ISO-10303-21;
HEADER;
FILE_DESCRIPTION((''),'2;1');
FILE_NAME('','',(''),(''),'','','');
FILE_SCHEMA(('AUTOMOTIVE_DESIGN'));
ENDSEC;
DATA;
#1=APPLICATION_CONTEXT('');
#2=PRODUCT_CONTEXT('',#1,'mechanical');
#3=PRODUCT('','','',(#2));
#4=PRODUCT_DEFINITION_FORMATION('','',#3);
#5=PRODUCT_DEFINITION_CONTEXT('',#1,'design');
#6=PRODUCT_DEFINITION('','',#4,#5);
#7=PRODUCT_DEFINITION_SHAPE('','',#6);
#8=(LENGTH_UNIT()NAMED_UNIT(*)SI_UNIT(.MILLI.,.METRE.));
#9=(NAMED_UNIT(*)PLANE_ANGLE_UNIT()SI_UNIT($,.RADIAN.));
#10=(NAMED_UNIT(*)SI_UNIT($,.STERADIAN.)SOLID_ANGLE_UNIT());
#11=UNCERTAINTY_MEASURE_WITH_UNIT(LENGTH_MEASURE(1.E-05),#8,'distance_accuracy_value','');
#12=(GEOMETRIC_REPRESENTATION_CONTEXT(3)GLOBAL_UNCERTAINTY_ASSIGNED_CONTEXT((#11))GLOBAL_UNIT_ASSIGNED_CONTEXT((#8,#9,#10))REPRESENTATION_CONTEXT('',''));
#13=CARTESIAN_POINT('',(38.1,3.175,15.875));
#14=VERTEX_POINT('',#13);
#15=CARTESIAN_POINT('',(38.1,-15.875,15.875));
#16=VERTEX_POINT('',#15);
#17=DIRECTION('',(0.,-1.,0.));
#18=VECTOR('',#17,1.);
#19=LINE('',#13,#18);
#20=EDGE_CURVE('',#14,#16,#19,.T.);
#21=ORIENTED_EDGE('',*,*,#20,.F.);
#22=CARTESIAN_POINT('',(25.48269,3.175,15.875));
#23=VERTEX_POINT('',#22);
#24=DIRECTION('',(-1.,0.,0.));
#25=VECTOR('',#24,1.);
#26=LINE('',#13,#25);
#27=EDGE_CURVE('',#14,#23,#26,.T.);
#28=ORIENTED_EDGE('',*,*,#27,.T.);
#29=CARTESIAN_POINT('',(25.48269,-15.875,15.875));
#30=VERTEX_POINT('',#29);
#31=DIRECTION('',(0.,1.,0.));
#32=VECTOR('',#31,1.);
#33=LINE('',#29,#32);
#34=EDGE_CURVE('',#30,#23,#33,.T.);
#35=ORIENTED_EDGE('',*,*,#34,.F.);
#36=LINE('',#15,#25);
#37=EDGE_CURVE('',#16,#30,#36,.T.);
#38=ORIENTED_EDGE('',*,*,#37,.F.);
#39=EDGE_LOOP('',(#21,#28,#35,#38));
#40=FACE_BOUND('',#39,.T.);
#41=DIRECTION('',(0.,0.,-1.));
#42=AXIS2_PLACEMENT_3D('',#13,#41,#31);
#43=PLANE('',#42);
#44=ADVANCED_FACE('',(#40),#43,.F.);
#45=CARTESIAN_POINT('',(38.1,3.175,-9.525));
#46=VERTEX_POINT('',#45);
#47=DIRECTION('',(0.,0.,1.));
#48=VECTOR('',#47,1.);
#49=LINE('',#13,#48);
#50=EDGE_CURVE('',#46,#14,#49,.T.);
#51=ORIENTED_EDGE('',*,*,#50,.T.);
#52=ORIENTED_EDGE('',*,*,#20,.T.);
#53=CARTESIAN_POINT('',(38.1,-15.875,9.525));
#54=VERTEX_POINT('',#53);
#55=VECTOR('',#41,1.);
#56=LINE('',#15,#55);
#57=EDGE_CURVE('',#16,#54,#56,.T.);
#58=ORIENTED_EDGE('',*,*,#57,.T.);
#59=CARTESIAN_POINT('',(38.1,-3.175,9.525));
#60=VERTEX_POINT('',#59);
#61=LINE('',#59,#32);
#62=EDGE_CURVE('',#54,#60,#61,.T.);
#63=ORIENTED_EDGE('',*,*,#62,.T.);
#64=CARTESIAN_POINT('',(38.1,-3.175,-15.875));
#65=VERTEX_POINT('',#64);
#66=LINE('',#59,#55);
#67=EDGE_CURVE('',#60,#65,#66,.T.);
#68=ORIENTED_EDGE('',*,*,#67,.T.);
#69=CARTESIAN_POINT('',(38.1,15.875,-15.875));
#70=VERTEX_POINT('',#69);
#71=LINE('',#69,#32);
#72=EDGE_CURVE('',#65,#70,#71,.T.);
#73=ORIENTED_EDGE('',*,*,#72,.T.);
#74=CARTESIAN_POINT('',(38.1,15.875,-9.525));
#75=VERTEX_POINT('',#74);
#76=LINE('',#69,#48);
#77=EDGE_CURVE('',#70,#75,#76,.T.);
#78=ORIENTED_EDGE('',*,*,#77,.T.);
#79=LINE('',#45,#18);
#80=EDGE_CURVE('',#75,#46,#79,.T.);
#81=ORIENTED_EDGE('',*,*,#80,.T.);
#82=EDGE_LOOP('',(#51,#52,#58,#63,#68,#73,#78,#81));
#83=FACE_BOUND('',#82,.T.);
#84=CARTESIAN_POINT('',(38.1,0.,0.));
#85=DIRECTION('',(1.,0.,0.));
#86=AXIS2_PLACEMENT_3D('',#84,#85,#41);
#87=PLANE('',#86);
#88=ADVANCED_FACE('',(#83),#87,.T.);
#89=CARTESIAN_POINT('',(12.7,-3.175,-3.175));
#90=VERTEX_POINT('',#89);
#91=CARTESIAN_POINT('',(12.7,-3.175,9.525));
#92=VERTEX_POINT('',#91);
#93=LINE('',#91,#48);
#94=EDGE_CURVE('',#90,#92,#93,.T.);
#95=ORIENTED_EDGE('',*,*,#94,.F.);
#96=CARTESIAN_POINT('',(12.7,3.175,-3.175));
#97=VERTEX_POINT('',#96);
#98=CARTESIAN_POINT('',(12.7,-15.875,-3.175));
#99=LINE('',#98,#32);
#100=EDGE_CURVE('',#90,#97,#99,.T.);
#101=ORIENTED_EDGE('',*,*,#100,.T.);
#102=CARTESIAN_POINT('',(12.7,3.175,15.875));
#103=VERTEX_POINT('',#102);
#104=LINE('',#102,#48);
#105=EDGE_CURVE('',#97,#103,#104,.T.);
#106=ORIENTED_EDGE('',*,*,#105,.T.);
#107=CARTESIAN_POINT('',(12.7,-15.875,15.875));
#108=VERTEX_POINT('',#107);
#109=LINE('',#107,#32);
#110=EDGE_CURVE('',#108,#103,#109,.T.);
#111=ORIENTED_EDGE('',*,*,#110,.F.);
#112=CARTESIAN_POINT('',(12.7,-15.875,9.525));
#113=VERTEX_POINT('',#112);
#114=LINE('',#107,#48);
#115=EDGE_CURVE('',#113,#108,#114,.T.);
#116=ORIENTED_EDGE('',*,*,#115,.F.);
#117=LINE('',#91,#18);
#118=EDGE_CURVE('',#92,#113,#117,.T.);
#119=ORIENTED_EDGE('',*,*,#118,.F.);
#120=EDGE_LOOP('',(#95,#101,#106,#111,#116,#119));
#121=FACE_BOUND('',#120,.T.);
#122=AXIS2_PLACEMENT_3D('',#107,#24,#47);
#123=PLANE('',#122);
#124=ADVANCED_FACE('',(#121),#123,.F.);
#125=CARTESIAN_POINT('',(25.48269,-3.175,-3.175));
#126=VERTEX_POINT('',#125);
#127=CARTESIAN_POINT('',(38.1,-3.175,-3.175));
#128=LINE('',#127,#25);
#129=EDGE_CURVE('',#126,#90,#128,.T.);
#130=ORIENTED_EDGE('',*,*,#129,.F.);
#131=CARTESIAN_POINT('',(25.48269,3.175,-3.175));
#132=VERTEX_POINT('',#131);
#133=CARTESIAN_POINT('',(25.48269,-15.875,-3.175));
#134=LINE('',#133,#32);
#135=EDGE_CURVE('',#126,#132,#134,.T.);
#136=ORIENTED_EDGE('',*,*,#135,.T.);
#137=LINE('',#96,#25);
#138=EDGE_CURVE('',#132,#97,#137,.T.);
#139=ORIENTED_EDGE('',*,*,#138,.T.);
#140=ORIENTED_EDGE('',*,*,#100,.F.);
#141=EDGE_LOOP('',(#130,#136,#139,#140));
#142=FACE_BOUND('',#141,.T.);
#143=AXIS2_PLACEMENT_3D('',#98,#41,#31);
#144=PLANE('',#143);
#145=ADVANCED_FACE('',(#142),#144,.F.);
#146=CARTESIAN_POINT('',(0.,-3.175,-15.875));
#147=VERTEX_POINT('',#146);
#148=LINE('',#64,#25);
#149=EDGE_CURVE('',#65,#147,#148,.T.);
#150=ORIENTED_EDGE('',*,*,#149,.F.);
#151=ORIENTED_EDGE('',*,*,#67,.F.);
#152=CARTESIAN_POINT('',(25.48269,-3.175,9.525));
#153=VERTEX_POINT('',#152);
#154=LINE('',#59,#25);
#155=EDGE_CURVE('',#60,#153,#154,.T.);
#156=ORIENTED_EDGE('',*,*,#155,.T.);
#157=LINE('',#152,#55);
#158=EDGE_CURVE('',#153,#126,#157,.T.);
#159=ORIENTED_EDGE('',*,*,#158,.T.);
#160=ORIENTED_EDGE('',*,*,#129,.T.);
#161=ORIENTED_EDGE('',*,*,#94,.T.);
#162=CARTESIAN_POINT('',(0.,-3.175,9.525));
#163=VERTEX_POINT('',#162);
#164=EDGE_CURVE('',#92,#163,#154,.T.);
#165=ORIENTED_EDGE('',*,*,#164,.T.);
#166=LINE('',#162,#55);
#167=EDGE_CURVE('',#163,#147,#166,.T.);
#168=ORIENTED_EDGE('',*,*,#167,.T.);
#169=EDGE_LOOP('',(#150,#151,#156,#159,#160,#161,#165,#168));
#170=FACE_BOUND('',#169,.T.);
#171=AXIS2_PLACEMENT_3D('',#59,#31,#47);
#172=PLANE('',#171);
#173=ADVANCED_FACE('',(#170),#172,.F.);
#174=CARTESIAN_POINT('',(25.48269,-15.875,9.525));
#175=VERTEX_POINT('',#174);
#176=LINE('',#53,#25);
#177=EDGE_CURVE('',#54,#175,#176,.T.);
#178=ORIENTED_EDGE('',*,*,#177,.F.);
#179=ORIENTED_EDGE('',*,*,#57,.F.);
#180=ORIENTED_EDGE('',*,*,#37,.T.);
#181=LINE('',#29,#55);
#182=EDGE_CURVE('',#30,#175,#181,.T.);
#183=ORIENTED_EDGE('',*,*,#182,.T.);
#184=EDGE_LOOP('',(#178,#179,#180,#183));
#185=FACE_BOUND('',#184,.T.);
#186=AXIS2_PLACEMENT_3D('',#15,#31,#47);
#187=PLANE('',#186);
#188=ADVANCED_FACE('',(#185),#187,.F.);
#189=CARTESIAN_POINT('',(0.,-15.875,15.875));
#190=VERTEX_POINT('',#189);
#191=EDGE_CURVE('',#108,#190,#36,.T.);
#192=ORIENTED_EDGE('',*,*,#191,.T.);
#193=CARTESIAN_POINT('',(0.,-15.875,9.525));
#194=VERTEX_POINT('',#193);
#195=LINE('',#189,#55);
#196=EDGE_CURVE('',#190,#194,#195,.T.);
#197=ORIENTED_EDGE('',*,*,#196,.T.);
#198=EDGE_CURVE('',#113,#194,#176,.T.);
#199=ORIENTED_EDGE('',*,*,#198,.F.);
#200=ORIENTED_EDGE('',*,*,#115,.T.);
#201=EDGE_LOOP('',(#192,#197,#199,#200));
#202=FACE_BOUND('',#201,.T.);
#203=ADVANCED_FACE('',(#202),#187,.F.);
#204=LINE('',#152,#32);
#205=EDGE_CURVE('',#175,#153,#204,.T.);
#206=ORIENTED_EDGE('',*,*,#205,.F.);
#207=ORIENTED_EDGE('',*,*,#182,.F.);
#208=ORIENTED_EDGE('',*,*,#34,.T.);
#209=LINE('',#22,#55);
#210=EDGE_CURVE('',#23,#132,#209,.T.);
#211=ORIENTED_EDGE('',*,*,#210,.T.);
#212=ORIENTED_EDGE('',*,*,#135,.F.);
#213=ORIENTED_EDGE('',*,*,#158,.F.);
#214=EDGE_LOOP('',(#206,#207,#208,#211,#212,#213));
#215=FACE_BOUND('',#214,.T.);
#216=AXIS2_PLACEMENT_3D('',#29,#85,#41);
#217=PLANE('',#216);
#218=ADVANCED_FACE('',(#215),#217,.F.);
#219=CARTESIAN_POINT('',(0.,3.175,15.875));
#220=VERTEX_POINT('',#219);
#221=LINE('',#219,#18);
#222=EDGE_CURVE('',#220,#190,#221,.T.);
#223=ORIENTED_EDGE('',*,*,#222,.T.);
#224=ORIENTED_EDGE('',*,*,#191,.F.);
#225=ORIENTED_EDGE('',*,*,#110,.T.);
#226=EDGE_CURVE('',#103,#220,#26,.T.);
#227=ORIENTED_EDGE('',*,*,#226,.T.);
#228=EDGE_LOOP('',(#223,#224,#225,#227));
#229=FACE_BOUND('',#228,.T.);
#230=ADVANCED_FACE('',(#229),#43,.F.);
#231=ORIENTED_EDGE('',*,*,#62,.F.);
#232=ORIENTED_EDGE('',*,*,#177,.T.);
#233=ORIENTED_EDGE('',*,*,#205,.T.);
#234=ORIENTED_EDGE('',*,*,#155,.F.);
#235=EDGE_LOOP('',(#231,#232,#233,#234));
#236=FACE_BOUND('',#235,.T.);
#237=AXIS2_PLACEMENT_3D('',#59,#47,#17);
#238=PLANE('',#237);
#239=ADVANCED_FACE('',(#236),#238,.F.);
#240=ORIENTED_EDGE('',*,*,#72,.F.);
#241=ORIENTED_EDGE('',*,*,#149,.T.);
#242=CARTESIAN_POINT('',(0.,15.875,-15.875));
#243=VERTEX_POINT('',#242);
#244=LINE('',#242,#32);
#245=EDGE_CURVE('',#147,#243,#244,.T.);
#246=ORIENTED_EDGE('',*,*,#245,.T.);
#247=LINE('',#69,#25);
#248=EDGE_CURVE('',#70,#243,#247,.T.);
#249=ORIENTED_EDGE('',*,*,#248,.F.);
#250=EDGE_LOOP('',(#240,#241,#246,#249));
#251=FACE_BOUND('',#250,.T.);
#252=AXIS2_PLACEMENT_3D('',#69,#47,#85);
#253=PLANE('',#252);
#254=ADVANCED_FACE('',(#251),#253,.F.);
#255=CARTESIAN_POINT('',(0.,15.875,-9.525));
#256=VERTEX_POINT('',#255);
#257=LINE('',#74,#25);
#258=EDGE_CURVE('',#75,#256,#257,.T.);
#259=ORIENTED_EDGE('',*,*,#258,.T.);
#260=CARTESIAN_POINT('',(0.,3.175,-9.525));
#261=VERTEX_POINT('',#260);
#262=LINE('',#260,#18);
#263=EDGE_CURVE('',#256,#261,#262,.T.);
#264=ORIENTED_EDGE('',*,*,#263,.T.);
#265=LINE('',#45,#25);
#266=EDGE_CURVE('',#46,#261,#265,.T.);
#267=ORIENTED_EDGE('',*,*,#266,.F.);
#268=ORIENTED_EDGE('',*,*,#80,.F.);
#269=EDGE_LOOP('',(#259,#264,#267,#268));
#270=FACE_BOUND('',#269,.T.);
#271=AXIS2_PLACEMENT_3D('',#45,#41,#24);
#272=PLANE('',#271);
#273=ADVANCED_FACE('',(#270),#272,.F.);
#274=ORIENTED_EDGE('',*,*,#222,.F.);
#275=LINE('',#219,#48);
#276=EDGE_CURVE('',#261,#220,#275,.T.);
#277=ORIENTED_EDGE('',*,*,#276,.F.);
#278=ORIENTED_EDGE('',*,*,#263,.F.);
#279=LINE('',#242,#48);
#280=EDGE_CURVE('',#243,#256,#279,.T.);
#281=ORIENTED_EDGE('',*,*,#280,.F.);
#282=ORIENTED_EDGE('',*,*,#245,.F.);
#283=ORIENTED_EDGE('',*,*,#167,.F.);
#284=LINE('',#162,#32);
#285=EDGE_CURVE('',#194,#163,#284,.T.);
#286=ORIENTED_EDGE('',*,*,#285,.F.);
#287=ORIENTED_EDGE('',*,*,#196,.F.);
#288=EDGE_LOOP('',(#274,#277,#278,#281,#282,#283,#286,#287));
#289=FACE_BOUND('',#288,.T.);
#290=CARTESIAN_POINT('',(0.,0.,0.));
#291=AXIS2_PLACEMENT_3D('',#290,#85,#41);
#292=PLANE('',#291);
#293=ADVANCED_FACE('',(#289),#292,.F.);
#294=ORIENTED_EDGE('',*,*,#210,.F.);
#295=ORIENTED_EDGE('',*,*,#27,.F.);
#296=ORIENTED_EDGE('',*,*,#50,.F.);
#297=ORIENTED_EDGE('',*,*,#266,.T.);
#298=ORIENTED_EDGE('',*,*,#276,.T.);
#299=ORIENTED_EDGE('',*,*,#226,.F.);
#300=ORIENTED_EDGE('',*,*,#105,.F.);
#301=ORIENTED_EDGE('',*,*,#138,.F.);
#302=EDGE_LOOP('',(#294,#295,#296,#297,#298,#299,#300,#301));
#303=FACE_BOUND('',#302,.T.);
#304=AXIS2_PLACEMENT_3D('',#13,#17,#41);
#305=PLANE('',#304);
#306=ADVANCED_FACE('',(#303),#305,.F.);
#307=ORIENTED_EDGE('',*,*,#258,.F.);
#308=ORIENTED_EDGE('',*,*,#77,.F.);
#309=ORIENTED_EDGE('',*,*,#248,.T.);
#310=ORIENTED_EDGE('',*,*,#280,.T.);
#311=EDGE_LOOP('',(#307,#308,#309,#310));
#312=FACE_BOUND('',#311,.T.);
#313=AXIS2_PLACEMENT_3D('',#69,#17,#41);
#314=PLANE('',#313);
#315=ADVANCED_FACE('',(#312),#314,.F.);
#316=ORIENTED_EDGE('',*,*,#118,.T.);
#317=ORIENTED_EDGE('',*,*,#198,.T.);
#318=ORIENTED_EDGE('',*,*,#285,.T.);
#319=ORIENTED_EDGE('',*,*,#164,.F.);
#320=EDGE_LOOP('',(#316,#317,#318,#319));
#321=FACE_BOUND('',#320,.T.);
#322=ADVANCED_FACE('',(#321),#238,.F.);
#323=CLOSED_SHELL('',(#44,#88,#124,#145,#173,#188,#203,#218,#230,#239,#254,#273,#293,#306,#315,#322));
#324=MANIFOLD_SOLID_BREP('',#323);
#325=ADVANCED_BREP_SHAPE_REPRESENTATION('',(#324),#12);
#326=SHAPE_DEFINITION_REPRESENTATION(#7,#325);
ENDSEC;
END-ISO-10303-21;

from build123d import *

# Parameters (mm, degrees)
BOSS_EXTRUDE1_DEPTH = 38.1
SKETCH2_W           = 12.782689939
SKETCH2_H           = 19.05
CUT_EXTRUDE1_DEPTH  = 46.459081876


with BuildPart() as part:
    # Sketch1 → Boss-Extrude1 (new body)
    with BuildSketch(Plane(origin=(0, 0, 0), x_dir=(0, 0, -1), z_dir=(1, 0, 0))):
        Polygon((-9.525, -3.175), (-9.525, -15.875), (-15.875, -15.875), (-15.875, 3.175), (9.525, 3.175), (9.525, 15.875), (15.875, 15.875), (15.875, -3.175), align=None)
    extrude(amount=BOSS_EXTRUDE1_DEPTH)

    # Sketch2 → Cut-Extrude1 (cut, through all)
    with BuildSketch(Plane(origin=(0, 3.175, 0), x_dir=(1, 0, 0), z_dir=(0, 1, 0))):
        with Locations((19.091344969, -6.35)):
            Rectangle(SKETCH2_W, SKETCH2_H)
    extrude(amount=-CUT_EXTRUDE1_DEPTH, mode=Mode.SUBTRACT)


solid = part.part
